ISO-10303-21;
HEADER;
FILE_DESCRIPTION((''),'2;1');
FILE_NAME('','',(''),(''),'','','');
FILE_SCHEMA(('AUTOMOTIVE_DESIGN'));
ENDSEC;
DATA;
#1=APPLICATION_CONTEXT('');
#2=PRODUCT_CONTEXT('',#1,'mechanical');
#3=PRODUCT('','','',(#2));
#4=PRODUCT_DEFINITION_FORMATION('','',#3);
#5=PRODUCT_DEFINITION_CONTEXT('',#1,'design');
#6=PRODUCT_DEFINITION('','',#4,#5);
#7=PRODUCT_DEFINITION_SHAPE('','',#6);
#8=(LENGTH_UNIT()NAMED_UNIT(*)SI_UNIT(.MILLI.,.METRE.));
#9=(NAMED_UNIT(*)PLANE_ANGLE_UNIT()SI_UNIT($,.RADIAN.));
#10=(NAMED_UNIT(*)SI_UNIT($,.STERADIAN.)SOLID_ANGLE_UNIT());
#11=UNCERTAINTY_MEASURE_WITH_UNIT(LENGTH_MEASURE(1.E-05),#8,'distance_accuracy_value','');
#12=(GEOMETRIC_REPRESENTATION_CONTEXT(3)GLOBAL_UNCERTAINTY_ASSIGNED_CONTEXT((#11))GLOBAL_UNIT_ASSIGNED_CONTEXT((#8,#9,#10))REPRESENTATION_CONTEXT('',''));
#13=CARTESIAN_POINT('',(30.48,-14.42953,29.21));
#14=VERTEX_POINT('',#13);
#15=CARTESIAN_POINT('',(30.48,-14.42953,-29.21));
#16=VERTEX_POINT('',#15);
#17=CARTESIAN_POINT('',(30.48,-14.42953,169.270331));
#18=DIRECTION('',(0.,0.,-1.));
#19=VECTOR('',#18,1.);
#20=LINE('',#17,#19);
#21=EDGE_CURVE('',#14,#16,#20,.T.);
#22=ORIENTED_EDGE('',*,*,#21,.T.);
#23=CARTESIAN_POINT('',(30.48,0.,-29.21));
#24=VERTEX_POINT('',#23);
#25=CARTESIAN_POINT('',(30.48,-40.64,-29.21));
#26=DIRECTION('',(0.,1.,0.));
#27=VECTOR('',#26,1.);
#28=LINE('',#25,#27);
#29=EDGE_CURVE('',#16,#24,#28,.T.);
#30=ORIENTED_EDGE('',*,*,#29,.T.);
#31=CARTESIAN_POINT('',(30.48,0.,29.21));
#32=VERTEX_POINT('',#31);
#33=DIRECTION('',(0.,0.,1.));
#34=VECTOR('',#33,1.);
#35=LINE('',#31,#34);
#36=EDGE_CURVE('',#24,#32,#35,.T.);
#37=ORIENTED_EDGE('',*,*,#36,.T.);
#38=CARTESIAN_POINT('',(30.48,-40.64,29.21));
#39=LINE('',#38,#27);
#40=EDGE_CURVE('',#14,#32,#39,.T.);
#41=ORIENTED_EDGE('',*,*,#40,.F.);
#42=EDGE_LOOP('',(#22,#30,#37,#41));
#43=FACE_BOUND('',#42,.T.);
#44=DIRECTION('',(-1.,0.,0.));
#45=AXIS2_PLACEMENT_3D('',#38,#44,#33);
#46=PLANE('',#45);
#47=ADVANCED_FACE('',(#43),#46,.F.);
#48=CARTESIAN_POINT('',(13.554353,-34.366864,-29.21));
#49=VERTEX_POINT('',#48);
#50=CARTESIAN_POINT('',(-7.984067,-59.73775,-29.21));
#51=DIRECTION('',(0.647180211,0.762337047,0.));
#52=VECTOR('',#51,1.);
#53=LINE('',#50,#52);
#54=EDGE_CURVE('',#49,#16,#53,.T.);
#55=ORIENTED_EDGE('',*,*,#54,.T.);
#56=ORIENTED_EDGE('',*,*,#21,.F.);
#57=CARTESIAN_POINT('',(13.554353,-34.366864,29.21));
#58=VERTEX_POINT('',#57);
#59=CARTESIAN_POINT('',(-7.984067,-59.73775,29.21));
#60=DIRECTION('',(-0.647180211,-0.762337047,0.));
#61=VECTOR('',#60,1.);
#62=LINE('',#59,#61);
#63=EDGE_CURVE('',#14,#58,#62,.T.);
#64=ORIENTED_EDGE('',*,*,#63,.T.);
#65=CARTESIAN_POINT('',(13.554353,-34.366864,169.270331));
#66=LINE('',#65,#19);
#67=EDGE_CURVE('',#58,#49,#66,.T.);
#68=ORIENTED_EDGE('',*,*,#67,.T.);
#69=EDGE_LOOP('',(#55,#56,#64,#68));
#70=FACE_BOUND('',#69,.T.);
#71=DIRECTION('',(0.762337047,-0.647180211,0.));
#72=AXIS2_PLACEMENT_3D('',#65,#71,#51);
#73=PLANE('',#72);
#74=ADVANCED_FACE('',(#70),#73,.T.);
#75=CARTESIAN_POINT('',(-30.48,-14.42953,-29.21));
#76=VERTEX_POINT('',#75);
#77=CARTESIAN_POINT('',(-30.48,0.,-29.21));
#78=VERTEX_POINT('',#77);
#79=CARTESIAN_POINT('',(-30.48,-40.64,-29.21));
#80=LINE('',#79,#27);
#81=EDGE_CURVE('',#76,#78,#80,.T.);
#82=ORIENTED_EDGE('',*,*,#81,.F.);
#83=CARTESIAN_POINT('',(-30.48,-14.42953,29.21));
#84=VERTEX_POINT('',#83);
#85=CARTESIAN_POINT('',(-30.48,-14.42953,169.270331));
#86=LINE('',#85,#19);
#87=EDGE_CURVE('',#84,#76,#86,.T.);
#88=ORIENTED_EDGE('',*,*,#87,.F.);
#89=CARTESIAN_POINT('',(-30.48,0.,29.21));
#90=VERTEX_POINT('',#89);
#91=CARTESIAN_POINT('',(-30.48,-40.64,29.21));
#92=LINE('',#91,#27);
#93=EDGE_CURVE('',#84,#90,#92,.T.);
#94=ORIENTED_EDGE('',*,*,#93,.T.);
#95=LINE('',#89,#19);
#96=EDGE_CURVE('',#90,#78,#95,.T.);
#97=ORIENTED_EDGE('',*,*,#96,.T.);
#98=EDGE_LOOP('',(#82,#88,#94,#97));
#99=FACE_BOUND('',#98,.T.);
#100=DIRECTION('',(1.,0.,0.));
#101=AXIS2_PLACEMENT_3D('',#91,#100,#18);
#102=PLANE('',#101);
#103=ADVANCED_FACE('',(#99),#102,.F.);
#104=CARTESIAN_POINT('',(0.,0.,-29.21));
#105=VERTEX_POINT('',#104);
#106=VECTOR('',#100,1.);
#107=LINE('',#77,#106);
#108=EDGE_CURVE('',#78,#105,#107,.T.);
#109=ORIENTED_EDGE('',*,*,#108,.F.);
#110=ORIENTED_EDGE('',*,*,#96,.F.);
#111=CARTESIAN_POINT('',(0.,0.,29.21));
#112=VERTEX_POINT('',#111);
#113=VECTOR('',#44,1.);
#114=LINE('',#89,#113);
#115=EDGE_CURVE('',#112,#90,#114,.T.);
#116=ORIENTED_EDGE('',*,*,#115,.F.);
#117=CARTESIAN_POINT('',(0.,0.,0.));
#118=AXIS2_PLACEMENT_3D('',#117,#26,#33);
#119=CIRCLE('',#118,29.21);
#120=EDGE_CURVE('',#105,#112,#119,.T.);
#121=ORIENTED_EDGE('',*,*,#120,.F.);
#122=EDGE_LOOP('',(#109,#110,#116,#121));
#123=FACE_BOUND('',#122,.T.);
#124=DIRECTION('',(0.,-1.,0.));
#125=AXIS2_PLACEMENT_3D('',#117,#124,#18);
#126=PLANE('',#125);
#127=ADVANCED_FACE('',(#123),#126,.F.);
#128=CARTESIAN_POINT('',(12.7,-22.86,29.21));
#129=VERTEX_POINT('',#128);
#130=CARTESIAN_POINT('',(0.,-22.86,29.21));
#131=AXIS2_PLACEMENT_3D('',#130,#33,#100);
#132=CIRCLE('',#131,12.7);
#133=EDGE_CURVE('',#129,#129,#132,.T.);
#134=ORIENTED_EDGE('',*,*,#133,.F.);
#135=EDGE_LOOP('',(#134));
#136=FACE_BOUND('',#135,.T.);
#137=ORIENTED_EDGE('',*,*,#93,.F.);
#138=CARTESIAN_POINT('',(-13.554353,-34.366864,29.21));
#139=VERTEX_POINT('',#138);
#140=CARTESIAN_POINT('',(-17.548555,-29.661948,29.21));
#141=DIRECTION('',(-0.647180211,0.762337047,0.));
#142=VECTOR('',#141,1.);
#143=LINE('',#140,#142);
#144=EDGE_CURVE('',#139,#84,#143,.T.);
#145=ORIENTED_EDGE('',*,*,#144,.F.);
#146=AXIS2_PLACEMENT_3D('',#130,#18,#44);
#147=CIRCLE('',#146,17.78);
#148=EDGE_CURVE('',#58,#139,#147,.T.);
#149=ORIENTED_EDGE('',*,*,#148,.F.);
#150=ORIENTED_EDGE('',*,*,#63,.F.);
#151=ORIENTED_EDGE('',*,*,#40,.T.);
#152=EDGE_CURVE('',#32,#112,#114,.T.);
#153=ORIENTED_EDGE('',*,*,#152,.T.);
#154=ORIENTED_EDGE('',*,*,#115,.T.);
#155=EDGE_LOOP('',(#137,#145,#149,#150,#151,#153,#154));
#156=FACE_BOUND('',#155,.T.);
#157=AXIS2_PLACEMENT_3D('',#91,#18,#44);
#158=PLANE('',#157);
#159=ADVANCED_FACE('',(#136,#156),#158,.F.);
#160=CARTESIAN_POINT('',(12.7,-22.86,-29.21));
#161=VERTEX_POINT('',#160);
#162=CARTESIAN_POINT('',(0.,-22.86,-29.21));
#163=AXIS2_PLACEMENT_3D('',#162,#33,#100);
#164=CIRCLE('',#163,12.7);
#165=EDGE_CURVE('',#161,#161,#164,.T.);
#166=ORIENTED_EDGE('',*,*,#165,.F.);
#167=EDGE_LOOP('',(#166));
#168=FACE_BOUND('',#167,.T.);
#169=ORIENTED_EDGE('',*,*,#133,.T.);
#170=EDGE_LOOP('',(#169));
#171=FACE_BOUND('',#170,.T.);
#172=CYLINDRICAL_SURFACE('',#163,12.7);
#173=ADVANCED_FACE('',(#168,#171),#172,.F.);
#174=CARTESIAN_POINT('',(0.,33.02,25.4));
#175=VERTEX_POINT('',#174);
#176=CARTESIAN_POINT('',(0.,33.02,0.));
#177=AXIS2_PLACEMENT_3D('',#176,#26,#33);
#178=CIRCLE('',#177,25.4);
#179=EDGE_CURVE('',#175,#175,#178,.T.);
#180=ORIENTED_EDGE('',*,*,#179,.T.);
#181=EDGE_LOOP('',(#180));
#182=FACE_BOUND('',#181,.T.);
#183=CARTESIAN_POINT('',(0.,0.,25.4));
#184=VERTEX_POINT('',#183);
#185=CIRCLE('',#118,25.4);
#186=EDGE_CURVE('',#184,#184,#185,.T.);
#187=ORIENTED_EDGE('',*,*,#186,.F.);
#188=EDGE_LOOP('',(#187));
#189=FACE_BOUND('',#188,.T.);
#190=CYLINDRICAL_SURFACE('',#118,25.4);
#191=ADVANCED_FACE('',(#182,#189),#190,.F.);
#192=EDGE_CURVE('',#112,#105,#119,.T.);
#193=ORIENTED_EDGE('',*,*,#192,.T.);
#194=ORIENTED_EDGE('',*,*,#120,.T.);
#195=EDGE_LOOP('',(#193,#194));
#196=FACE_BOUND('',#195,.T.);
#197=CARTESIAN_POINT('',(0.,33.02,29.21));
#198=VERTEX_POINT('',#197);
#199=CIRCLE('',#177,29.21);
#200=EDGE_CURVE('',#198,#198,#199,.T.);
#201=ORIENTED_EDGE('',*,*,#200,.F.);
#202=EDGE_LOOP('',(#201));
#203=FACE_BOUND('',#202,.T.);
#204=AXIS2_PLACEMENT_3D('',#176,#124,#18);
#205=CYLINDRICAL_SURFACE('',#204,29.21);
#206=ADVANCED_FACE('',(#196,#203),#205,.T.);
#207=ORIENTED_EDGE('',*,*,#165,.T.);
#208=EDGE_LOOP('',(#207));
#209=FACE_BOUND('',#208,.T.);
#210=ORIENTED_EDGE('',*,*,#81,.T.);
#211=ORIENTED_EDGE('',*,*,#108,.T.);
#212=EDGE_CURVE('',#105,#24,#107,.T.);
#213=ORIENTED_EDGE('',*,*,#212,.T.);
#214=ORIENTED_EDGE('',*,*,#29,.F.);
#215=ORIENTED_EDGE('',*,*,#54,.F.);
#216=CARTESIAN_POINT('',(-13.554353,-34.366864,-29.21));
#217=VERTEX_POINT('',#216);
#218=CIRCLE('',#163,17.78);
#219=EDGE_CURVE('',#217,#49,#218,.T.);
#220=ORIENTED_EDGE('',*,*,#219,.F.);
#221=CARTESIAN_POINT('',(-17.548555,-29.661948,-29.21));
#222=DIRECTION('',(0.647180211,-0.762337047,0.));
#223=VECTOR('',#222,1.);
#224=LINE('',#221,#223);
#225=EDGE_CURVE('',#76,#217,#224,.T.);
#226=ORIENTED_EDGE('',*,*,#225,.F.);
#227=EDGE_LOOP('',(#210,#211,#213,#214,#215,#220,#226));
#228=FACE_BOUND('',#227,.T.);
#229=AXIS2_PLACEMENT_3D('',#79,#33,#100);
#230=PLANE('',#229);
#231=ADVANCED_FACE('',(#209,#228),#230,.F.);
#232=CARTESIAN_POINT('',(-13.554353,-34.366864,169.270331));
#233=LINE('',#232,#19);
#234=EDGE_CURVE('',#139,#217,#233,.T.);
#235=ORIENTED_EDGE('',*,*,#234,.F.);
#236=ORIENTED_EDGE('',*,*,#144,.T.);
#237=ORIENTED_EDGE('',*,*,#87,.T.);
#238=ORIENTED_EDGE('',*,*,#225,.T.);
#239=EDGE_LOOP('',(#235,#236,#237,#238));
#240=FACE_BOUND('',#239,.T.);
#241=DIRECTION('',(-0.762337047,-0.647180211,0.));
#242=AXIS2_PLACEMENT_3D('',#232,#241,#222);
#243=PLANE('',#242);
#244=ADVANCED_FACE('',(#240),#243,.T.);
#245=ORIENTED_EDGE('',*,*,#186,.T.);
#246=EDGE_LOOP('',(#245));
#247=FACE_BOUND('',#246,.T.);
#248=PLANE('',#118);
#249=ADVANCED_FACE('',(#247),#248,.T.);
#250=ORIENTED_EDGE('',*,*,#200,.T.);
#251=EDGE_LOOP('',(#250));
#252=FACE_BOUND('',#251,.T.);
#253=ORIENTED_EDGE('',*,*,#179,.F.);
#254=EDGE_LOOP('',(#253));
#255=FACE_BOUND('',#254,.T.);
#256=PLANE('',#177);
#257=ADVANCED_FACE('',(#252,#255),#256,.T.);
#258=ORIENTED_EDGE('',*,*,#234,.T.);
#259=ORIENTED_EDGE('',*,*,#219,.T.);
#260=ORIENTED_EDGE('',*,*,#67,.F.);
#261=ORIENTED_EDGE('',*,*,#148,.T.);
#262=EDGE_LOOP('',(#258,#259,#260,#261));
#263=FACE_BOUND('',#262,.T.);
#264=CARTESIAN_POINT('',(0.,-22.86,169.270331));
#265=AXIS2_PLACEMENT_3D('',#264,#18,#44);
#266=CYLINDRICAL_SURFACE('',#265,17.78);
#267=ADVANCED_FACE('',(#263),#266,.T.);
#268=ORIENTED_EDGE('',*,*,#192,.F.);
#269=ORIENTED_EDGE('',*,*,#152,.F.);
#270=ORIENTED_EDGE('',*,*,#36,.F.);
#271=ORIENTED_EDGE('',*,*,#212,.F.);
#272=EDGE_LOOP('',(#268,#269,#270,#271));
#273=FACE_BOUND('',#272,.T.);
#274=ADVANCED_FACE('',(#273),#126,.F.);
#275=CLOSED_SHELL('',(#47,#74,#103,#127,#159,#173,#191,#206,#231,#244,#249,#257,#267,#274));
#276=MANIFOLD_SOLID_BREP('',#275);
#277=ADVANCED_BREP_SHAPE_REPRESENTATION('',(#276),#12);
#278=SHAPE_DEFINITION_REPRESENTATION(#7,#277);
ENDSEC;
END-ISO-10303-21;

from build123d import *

# Parameters (mm, degrees)
SKETCH1_R               = 29.21
BOSS_EXTRUDE1_DEPTH     = 33.02
SKETCH2_W               = 60.96
SKETCH2_H               = 58.42
BOSS_EXTRUDE2_DEPTH     = 40.64
SKETCH3_R               = 12.7
CUT_EXTRUDE1_DEPTH      = 59.42
SKETCH4_R               = 25.4
CUT_EXTRUDE2_DEPTH      = 33.02
CUT_EXTRUDE3_DEPTH      = 1
CUT_EXTRUDE3_DEPTH_BACK = 59.42


with BuildPart() as part:
    # Sketch1 → Boss-Extrude1 (new body)
    with BuildSketch(Plane(origin=(0, 0, 0), x_dir=(1, 0, 0), z_dir=(0, 1, 0))):
        Circle(SKETCH1_R)
    extrude(amount=BOSS_EXTRUDE1_DEPTH)

    # Sketch2 → Boss-Extrude2 (add)
    with BuildSketch(Plane.XZ):
        Rectangle(SKETCH2_W, SKETCH2_H)
    extrude(amount=BOSS_EXTRUDE2_DEPTH)

    # Sketch3 → Cut-Extrude1 (cut, through all)
    with BuildSketch(Plane.XY.offset(29.21)):
        with Locations((0, -22.86)):
            Circle(SKETCH3_R)
    extrude(amount=-CUT_EXTRUDE1_DEPTH, mode=Mode.SUBTRACT)

    # Sketch4 → Cut-Extrude2 (cut)
    with BuildSketch(Plane(origin=(0, 33.02, 0), x_dir=(1, 0, 0), z_dir=(0, 1, 0))):
        Circle(SKETCH4_R)
    extrude(amount=-CUT_EXTRUDE2_DEPTH, mode=Mode.SUBTRACT)

    # Sketch5 → Cut-Extrude3 (cut, two sides)
    with BuildSketch(Plane.XY.offset(29.21)) as cut_extrude3_sk:
        with BuildLine():
            Line((30.48, -14.429530232), (13.554352704, -34.366864159))
            ThreePointArc((13.554352704, -34.366864159), (7.467809426, -38.995681652), (0, -40.64))
            Line((0, -40.64), (30.48, -40.64))
            Line((30.48, -40.64), (30.48, -14.429530232))
        make_face()
        with BuildLine():
            Line((-30.48, -40.64), (0, -40.64))
            ThreePointArc((0, -40.64), (-7.467809426, -38.995681652), (-13.554352704, -34.366864159))
            Line((-13.554352704, -34.366864159), (-30.48, -14.429530232))
            Line((-30.48, -14.429530232), (-30.48, -40.64))
        make_face()
    extrude(amount=CUT_EXTRUDE3_DEPTH, mode=Mode.SUBTRACT)
    extrude(cut_extrude3_sk.sketch, amount=-CUT_EXTRUDE3_DEPTH_BACK, mode=Mode.SUBTRACT)


solid = part.part
